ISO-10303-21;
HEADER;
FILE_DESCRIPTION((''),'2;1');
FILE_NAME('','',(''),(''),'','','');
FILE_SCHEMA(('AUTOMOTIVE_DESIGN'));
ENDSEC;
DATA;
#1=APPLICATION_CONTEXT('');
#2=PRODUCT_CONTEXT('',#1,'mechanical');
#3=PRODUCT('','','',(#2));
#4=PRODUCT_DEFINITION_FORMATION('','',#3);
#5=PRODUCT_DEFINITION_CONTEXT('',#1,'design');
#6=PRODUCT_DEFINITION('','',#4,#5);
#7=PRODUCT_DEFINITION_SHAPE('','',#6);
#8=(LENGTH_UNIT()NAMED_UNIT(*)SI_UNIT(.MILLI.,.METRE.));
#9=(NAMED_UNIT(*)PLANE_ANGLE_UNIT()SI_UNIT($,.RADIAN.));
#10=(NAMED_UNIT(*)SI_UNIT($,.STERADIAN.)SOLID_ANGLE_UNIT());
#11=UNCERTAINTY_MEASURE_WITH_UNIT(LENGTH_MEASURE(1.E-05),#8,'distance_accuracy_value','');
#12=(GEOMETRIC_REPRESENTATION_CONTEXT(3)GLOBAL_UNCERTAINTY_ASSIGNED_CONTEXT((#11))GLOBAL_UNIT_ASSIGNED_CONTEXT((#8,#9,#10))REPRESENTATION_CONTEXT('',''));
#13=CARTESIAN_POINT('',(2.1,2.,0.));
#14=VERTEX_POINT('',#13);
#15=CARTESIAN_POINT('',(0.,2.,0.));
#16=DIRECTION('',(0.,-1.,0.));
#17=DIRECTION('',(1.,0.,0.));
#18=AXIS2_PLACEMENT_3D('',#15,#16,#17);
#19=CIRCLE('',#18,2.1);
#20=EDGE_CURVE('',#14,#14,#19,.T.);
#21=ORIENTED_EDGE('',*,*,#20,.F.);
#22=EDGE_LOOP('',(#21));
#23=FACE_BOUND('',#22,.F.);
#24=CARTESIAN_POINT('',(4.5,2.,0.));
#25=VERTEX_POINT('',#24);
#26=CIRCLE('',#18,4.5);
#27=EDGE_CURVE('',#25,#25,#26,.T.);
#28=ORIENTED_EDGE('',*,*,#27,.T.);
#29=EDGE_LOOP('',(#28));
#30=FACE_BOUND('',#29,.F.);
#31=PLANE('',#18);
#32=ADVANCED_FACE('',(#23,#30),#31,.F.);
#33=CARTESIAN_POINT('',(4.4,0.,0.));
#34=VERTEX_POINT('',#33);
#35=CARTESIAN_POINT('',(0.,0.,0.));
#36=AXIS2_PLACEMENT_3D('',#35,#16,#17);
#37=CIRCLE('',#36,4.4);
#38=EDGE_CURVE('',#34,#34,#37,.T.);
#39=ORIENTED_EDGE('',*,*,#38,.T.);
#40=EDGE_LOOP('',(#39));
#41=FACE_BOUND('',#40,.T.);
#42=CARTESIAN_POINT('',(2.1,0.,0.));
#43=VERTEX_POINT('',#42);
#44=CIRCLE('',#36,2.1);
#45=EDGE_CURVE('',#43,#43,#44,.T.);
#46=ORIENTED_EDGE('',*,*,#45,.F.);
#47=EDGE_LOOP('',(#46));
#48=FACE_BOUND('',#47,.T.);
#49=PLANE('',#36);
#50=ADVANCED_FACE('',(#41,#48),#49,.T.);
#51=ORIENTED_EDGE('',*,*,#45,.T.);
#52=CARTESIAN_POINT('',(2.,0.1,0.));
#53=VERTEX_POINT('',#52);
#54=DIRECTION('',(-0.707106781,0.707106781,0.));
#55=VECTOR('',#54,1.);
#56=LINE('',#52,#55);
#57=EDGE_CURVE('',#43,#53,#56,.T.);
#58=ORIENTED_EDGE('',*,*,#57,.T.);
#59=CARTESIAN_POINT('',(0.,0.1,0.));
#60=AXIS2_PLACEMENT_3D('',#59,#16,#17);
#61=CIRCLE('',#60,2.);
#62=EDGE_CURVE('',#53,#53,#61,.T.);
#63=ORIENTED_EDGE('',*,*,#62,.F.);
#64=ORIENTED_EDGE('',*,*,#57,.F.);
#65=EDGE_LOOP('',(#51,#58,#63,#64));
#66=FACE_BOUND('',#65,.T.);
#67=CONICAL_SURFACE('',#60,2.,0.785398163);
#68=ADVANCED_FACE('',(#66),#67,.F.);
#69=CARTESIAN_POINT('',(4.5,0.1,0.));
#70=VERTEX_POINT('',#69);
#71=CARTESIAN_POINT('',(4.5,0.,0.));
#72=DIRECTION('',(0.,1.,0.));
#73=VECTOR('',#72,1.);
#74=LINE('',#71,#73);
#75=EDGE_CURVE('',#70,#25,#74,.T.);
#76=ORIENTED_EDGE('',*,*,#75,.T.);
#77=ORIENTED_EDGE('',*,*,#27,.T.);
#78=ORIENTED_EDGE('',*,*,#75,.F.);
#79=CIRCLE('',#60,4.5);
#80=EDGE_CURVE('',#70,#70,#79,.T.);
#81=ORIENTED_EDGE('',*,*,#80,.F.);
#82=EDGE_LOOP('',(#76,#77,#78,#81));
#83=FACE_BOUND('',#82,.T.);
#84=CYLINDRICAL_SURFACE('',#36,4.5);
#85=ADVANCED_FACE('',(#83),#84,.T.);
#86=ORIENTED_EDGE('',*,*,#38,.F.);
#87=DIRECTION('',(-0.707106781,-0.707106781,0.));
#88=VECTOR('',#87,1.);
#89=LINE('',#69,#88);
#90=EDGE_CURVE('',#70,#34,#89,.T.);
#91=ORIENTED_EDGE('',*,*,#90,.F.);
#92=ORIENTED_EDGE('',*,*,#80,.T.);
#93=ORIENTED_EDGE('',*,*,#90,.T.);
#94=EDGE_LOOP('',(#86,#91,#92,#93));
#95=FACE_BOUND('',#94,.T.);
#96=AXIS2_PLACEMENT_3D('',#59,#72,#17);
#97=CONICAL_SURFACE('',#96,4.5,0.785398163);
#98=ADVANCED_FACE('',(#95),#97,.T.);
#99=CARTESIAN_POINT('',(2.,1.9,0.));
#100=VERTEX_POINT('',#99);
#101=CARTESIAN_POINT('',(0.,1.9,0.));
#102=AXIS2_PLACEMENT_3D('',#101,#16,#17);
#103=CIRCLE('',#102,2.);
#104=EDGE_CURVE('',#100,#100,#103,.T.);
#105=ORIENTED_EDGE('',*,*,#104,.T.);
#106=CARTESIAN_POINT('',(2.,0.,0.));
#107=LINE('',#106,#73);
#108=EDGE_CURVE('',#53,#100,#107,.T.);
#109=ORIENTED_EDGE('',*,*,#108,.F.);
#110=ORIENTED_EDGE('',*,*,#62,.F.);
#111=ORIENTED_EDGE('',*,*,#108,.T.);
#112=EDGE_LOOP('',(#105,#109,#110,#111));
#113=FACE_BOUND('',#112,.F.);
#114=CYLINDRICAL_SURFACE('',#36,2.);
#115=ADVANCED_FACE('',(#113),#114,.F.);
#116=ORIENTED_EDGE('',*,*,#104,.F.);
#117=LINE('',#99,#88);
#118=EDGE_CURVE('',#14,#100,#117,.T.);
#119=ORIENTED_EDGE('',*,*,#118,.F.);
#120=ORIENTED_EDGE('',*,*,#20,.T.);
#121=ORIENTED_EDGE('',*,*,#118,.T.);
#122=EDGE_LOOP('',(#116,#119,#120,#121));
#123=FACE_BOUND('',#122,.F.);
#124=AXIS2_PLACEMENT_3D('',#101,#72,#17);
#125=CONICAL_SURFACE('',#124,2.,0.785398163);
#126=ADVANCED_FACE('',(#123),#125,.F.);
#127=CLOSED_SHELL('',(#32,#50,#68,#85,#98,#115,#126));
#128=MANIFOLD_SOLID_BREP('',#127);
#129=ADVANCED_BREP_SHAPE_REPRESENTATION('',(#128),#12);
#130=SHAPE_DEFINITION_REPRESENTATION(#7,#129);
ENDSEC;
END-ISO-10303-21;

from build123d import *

# Parameters (mm, degrees)
F0_R     = 4.5
F1_DEPTH = 2
F2_R     = 2
F3_DEPTH = 2.001
F4_SIZE  = 0.1


with BuildPart() as f1:
    # F0 (on Front) → F1 (new body)
    with BuildSketch(Plane.XZ):
        Circle(F0_R)
    extrude(amount=-F1_DEPTH)

    # F2 (on face) → F3 (cut, through all)
    with BuildSketch(Plane.XZ):
        Circle(F2_R)
    extrude(amount=-F3_DEPTH, mode=Mode.SUBTRACT)

    # F4
    f4_edges = [f1.edges().sort_by_distance(p)[0] for p in [
        (-2, 0, 0),
        (-4.5, 0, 0),
        (-2, 2, 0),
    ]]
    chamfer(f4_edges, length=F4_SIZE)


solid = f1.part
